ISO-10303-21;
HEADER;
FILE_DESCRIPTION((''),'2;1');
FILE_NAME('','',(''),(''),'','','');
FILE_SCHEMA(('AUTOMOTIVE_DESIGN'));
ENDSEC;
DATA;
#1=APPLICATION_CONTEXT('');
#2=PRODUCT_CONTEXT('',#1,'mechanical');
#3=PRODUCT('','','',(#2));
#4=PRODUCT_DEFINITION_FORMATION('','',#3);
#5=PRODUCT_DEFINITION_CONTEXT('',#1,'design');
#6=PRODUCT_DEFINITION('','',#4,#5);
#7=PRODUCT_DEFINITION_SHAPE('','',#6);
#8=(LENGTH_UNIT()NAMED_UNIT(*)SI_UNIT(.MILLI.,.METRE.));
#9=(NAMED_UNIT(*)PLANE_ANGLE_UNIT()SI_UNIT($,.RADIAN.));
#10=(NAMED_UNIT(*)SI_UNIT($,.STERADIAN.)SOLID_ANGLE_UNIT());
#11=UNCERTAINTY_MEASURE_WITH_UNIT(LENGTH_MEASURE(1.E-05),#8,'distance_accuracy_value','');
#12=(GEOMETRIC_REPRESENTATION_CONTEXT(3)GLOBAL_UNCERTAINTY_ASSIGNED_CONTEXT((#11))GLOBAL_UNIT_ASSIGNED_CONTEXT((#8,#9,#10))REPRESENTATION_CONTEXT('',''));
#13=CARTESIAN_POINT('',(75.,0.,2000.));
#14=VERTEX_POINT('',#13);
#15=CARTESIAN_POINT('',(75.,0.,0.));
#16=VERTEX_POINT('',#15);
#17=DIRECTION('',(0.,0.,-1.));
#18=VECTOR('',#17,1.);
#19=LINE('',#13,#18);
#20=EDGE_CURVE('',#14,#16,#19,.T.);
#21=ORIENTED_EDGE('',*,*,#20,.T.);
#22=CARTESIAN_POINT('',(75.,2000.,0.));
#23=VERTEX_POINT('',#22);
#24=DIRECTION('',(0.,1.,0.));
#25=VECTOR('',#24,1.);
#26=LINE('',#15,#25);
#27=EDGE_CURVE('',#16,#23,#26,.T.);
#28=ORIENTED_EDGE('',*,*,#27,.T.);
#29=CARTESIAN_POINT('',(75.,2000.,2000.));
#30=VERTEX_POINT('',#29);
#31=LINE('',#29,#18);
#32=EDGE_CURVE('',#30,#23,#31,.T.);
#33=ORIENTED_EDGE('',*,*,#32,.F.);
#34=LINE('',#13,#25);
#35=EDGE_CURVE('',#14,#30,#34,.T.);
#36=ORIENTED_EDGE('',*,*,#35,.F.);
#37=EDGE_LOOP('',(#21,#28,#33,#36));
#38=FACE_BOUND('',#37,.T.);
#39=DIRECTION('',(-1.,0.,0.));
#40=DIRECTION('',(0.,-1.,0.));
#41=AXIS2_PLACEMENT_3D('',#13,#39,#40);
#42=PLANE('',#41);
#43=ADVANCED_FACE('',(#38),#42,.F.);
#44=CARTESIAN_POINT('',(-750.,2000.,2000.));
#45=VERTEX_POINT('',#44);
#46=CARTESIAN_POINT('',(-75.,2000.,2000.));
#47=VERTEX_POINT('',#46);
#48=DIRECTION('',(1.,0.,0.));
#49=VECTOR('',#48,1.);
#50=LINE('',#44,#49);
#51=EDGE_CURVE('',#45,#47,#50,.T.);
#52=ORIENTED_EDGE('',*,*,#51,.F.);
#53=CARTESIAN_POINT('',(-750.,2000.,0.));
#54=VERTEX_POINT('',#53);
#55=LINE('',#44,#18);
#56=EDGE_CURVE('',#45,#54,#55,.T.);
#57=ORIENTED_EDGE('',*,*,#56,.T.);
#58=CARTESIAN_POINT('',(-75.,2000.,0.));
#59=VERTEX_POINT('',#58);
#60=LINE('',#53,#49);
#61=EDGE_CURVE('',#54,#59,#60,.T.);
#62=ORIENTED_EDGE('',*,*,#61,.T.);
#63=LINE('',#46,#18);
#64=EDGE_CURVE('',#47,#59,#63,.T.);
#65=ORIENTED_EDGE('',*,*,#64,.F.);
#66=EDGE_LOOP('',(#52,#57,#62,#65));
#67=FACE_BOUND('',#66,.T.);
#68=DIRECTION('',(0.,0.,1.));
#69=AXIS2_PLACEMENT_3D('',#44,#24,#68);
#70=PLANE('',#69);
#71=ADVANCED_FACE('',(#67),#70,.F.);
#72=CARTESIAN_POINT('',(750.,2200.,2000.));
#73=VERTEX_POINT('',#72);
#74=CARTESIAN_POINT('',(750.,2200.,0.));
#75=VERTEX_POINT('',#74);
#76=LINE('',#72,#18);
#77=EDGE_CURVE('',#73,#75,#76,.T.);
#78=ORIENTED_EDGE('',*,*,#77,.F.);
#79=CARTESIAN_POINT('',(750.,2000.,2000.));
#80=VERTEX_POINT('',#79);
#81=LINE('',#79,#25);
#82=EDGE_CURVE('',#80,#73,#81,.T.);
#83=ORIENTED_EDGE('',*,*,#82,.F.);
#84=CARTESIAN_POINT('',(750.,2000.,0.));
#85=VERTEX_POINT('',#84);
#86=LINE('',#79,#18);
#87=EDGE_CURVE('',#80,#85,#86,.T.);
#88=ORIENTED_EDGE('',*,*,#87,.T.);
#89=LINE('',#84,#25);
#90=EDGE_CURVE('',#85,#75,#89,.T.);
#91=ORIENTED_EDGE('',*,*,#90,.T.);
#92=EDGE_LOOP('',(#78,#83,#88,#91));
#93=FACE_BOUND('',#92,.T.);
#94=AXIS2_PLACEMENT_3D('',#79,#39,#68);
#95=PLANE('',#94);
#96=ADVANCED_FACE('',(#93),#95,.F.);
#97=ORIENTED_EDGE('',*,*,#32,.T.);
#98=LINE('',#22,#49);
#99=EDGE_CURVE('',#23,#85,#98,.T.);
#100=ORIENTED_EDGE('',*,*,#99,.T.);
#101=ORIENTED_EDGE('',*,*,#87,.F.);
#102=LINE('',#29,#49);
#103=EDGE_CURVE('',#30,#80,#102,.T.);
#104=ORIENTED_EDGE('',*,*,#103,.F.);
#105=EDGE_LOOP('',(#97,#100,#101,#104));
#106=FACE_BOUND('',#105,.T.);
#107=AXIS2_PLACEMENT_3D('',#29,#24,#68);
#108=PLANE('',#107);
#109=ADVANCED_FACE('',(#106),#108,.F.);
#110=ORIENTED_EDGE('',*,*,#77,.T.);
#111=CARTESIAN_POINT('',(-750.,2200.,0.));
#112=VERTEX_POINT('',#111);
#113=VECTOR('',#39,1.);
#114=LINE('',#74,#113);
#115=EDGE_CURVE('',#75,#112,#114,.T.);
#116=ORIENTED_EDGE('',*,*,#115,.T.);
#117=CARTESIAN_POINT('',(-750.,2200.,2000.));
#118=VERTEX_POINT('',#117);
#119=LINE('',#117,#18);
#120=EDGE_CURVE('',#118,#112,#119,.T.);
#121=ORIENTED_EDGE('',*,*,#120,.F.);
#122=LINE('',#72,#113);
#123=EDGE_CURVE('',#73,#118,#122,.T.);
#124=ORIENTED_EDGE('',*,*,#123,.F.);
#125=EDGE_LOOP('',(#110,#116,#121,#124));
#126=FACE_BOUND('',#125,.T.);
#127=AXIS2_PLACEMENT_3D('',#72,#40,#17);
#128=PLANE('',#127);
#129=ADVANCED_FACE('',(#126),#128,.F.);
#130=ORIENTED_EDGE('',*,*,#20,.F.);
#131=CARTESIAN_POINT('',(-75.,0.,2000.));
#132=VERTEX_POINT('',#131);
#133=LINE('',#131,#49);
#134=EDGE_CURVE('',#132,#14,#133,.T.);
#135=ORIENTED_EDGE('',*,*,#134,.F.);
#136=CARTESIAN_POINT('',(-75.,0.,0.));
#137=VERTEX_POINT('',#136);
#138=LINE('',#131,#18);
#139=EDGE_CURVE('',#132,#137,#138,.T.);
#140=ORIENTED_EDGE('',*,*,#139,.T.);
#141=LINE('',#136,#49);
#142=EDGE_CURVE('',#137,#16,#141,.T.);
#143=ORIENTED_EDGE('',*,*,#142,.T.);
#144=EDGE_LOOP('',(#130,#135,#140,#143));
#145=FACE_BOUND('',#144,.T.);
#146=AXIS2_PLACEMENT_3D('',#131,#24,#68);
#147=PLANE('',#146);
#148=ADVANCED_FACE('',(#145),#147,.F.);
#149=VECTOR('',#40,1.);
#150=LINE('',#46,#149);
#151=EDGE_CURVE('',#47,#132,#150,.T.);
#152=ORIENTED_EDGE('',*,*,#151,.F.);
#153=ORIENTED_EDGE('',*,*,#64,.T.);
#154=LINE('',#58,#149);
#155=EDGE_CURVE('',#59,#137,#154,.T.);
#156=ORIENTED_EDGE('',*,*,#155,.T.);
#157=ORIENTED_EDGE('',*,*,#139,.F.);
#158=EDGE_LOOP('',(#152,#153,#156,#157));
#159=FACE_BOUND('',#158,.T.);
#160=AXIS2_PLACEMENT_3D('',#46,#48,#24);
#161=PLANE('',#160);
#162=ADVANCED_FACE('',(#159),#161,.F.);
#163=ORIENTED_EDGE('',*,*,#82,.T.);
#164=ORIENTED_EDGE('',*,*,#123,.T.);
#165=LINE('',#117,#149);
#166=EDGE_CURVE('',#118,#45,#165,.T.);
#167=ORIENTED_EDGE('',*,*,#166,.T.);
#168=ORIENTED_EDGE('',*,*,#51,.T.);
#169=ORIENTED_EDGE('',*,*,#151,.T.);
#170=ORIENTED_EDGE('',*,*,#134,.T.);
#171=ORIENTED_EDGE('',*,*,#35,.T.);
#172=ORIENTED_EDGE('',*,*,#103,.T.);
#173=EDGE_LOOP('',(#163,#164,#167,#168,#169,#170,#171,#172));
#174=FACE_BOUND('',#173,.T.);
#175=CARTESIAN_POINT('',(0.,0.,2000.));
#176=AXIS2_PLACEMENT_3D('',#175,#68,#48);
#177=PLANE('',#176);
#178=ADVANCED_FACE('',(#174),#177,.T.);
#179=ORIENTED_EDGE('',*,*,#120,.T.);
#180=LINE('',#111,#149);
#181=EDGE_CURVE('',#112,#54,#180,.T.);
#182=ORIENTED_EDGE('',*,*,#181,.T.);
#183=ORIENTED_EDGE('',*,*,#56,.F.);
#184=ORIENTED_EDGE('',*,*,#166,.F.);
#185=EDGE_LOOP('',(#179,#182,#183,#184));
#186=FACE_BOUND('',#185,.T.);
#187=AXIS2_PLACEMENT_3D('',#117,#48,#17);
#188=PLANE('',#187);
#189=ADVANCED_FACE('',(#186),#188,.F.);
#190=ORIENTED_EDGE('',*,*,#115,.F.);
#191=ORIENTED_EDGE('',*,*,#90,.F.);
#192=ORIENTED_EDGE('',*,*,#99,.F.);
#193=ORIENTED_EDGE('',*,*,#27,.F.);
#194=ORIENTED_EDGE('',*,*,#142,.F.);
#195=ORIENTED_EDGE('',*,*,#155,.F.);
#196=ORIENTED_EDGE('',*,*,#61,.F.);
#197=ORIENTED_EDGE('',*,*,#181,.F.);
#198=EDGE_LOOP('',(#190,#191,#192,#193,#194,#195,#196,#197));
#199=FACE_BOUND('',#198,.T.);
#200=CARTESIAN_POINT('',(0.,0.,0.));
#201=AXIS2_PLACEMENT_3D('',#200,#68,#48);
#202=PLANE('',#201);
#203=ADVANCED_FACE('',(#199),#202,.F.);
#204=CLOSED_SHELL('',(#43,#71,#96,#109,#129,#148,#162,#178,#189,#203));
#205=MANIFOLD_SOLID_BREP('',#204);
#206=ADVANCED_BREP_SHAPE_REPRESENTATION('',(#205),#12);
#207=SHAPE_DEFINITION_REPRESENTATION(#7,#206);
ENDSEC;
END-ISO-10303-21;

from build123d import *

# Parameters (mm, degrees)
BOSS_EXTRUDE1_DEPTH = 2000


with BuildPart() as part:
    # Sketch1 → Boss-Extrude1 (new body)
    with BuildSketch(Plane.XY):
        Polygon((75, 0), (75, 2000), (750, 2000), (750, 2200), (-750, 2200), (-750, 2000), (-75, 2000), (-75, 0), align=None)
    extrude(amount=BOSS_EXTRUDE1_DEPTH)


solid = part.part
